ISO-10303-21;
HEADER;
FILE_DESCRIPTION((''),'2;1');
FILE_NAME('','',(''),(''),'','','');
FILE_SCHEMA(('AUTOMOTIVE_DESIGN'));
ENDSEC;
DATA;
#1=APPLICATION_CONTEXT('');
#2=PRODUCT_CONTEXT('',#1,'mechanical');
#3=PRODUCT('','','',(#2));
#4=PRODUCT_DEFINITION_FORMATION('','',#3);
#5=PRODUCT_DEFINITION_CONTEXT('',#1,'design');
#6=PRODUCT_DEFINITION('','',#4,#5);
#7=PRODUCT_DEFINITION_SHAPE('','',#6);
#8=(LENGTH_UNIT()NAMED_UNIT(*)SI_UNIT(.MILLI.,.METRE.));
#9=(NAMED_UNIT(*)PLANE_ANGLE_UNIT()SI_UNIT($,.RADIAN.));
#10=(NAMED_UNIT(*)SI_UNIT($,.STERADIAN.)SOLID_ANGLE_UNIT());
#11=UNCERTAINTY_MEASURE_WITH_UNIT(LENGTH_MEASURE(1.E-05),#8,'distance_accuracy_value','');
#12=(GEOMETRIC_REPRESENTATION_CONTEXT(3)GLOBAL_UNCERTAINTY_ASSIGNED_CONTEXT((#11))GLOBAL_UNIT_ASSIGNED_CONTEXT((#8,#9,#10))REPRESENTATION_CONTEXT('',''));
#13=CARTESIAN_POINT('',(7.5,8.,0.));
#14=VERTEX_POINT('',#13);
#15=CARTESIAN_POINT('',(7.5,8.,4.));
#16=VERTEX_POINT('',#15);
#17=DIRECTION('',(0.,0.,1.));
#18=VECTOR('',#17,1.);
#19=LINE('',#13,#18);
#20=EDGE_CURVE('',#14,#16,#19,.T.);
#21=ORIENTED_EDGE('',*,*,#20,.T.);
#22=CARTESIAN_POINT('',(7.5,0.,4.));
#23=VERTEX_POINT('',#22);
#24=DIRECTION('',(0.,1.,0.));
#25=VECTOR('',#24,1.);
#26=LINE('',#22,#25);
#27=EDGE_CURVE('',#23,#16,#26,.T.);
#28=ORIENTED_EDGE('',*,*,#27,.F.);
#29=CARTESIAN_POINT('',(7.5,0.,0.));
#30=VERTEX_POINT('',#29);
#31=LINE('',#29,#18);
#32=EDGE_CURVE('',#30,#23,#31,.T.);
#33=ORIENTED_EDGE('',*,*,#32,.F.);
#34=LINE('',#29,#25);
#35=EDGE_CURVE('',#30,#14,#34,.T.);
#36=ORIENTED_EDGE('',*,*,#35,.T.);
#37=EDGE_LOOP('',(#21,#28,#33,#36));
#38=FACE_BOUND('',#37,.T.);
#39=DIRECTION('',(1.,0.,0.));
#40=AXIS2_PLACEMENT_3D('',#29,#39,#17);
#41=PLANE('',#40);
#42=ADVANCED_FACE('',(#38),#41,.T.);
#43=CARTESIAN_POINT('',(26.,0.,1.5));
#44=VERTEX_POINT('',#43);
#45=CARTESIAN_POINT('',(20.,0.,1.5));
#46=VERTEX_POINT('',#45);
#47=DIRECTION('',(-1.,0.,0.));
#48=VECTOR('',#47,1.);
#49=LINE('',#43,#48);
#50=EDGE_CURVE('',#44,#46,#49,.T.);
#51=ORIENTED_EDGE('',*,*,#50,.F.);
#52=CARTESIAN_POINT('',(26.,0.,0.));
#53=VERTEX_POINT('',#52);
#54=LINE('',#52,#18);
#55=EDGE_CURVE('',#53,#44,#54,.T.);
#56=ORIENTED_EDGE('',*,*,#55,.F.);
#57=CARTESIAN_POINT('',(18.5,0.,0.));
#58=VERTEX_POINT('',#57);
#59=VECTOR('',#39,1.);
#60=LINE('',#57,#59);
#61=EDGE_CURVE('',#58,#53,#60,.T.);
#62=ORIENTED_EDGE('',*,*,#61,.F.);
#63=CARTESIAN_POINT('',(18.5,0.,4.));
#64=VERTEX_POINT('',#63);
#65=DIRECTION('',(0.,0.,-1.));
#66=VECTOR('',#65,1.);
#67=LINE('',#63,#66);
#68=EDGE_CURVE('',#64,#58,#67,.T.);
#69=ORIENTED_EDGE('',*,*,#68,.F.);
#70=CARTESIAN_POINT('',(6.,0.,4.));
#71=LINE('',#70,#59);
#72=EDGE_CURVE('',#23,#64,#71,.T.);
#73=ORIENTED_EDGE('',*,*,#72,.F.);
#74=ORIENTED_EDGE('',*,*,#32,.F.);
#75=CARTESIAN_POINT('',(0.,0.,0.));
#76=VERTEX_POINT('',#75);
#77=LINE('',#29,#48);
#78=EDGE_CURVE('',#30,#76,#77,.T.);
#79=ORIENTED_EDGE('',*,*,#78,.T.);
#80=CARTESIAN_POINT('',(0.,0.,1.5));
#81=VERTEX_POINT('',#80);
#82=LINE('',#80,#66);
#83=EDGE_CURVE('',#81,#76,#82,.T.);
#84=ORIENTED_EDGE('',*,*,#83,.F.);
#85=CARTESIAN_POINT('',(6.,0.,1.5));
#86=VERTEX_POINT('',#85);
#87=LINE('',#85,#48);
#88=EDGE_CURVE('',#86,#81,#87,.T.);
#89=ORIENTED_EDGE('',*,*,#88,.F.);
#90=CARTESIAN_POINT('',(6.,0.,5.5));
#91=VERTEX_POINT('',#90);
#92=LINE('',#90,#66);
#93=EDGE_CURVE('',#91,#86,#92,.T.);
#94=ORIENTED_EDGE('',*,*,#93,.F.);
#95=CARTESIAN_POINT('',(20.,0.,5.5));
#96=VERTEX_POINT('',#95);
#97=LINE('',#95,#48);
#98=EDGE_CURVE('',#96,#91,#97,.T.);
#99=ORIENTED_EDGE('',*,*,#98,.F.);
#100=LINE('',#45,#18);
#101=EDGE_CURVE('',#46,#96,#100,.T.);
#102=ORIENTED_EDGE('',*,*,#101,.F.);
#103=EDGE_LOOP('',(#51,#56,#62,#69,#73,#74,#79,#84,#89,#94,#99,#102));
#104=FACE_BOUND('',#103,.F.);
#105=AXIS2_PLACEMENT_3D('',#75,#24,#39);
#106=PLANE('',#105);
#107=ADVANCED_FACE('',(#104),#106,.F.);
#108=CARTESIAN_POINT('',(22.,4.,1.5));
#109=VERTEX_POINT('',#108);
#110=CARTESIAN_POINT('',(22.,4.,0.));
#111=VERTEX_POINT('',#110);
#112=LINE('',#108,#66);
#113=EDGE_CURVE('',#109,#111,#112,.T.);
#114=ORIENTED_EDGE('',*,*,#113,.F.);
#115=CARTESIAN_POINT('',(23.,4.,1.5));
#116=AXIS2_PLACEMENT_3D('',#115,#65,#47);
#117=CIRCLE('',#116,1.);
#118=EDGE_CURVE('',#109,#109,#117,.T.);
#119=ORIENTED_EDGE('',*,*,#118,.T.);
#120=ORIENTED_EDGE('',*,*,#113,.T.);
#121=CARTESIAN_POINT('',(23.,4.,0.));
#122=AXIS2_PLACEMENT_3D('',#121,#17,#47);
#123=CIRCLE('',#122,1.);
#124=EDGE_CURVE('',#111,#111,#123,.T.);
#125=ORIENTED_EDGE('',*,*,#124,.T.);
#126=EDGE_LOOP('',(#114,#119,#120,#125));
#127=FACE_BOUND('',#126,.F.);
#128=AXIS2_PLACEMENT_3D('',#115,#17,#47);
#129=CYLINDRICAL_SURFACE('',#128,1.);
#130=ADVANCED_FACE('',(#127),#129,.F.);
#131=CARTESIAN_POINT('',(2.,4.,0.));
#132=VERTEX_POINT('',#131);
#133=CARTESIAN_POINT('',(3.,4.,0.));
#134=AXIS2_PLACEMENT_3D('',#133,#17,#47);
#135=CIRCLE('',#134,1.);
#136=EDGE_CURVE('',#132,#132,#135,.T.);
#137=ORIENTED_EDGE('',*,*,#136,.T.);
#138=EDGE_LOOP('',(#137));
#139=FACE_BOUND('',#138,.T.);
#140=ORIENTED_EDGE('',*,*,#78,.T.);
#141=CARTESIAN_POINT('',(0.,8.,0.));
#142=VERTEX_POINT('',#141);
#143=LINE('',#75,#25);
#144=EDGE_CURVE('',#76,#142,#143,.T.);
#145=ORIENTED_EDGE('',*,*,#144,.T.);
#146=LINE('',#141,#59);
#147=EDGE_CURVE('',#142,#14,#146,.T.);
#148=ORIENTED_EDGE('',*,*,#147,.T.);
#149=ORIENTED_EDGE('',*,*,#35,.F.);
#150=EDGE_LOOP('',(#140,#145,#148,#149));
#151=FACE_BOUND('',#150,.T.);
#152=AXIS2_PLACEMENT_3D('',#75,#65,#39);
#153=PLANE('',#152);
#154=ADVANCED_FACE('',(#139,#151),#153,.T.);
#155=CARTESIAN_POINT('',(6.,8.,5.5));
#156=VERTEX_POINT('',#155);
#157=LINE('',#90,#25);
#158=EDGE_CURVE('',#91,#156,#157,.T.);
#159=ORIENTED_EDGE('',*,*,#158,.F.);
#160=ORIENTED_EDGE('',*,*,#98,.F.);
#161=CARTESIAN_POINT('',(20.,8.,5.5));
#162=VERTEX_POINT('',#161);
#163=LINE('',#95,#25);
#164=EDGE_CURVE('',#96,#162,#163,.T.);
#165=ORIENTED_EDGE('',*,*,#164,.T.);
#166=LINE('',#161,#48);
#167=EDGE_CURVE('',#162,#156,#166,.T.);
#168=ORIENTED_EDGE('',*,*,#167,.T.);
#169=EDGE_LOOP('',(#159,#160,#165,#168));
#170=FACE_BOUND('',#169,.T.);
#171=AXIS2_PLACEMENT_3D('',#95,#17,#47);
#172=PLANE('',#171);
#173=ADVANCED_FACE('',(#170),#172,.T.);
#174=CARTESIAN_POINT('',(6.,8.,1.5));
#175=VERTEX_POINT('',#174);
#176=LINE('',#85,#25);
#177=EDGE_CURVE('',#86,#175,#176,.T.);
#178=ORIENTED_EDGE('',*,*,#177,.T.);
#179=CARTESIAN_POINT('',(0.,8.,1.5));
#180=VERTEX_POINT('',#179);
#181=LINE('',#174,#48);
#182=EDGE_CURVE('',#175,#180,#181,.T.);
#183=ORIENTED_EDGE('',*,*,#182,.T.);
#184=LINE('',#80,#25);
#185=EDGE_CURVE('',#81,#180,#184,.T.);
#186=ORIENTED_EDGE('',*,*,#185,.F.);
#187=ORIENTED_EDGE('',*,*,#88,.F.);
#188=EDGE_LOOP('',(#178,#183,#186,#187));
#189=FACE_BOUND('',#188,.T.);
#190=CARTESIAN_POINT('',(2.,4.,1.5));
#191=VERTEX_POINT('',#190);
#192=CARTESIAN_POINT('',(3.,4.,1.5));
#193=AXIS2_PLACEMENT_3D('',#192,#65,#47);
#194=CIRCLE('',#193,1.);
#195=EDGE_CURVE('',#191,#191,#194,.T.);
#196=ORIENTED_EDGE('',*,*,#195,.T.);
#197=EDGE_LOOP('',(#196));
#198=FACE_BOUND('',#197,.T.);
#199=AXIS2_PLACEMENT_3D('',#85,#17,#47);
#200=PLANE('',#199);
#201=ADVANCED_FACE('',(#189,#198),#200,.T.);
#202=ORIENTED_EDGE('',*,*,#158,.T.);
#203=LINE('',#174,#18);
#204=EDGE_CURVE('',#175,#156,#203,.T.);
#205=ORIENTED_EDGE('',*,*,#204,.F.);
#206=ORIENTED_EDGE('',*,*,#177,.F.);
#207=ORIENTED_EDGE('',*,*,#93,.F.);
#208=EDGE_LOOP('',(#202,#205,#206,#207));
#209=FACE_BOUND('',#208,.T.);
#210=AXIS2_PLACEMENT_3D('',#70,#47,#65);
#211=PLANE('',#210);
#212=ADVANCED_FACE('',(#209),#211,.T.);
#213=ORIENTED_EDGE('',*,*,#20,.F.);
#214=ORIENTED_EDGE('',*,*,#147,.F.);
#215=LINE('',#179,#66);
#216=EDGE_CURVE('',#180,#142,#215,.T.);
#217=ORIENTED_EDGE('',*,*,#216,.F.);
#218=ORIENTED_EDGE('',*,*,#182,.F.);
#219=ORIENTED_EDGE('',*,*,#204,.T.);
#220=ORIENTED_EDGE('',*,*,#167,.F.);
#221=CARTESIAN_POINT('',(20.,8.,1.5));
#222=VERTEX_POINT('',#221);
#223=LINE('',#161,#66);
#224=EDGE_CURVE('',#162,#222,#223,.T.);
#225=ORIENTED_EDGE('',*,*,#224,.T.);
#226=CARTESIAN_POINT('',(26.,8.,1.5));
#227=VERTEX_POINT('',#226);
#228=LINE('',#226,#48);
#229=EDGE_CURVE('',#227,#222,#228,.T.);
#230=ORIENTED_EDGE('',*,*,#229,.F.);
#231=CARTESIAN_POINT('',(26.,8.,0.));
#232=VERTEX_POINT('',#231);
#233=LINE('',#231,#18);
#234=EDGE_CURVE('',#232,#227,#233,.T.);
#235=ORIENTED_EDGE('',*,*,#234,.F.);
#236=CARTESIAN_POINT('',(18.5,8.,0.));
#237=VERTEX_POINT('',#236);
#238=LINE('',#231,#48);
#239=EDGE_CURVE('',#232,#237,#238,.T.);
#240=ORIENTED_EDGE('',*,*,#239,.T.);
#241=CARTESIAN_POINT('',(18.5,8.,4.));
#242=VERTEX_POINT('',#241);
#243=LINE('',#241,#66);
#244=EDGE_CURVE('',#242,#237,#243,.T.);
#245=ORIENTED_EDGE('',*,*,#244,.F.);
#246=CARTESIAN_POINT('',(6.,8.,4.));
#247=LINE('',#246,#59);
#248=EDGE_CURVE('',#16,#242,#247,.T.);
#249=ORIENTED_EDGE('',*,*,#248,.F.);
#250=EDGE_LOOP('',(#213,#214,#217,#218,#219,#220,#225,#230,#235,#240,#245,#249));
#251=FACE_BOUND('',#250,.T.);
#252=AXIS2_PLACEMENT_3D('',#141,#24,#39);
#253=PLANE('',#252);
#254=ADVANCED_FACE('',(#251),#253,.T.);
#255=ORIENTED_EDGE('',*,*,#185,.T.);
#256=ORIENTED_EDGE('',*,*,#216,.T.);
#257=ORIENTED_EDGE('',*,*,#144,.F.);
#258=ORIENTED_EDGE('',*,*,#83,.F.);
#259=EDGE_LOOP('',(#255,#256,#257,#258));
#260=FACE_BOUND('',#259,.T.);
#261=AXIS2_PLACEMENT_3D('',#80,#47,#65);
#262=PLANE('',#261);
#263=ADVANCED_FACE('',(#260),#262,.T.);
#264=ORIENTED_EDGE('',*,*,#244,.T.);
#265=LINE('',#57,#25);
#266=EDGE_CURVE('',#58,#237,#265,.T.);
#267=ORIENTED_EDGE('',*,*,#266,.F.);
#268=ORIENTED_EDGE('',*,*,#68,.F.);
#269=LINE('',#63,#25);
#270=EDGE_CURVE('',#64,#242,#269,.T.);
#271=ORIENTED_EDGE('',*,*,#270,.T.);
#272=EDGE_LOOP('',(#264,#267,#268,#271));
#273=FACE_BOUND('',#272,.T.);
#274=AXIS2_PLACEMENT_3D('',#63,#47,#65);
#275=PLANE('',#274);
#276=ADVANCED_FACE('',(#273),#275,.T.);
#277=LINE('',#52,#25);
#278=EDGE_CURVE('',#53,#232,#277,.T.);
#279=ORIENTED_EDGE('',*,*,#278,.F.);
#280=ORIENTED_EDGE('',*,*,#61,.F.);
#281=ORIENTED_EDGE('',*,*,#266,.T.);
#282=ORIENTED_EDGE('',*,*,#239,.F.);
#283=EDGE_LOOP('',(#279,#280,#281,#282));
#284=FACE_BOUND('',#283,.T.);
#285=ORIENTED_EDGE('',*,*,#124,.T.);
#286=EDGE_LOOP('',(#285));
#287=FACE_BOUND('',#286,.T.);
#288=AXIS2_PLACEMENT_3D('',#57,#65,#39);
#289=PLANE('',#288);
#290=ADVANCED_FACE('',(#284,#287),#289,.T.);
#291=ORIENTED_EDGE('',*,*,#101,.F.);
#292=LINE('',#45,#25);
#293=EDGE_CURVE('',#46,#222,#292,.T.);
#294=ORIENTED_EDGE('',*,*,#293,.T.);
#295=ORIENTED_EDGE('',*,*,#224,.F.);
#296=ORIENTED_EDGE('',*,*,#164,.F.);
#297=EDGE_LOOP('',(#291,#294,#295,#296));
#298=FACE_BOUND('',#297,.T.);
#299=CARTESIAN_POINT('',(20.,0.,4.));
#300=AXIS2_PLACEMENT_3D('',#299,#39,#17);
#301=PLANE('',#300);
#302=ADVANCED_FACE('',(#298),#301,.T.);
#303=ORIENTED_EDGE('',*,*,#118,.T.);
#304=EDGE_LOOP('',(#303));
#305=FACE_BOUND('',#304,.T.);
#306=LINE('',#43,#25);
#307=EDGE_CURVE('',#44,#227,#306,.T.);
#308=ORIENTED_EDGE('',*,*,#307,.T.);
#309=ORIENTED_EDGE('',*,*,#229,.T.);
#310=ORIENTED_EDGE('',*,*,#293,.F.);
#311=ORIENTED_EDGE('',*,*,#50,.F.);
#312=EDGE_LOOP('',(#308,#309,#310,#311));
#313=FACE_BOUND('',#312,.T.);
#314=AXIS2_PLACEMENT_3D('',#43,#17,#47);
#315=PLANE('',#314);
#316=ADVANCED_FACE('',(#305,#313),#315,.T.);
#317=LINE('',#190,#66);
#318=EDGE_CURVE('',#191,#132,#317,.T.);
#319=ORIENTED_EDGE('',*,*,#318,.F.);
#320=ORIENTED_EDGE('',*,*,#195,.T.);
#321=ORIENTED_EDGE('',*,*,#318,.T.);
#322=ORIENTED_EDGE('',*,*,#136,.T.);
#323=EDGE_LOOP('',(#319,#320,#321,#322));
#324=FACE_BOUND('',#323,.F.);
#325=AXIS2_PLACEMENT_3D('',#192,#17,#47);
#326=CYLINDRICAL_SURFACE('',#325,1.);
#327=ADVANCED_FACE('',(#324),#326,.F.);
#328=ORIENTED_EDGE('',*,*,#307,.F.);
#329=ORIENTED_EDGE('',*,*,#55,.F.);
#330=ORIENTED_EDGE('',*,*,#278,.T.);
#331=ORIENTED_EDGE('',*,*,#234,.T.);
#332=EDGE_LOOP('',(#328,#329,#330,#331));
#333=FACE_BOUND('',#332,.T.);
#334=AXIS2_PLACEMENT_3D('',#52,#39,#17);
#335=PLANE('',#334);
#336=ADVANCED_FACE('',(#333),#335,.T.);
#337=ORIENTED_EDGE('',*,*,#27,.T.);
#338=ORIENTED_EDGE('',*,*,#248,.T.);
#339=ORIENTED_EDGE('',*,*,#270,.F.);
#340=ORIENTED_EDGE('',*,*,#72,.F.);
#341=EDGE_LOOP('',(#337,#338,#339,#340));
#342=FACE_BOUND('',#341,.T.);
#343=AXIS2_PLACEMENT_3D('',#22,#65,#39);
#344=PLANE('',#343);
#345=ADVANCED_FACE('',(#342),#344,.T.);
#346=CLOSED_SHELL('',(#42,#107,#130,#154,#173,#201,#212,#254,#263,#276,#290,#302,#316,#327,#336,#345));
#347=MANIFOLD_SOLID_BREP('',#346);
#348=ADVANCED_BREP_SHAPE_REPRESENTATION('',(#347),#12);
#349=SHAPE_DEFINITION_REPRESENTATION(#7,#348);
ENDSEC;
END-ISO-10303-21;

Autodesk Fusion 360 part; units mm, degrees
sketch "Sketch1" plane through (0, 0, 0) normal (0, 1, 0) x (1, 0, 0)
  line L0 (0, 0) -> (6, 0)
  line L1 (6, 0) -> (6, -1.5)
  line L2 (6, -1.5) -> (0, -1.5)
  line L3 (0, -1.5) -> (0, 0)
  line L4 (6, 0) -> (7.5, 0)
  line L5 (7.5, 0) -> (7.5, -4)
  line L6 (7.5, -4) -> (6, -4)
  line L7 (6, -4) -> (6, 0)
  line L8 (6, -4) -> (20, -4)
  line L9 (20, -4) -> (20, -5.5)
  line L10 (20, -5.5) -> (6, -5.5)
  line L11 (6, -5.5) -> (6, -4)
  line L12 (20, -4) -> (18.5, -4)
  line L13 (18.5, -4) -> (18.5, 0)
  line L14 (18.5, 0) -> (20, 0)
  line L15 (20, 0) -> (20, -4)
  line L16 (20, 0) -> (26, 0)
  line L17 (26, 0) -> (26, -1.5)
  line L18 (26, -1.5) -> (20, -1.5)
  line L19 (20, -1.5) -> (20, 0)
  dimension "d1" = 6
  dimension "d2" = 1.5
  dimension "d3" = 1.5
  dimension "d4" = 4
  dimension "d5" = 14
  dimension "d6" = 1.5
  dimension "d7" = 1.5
  dimension "d8" = 4
  dimension "d9" = 6
  dimension "d10" = 1.5
extrude "Extrude1" add sketch "Sketch1" along normal blind 8
sketch "Sketch2" plane through (0, 0, 1.5) normal (0, 0, 1) x (-1, 0, 0)
  line L0 (0, 0) -> (-6, 0)
  line L1 (-6, 0) -> (-6, -8)
  line L2 (-6, -8) -> (0, -8)
  line L3 (0, -8) -> (0, 0)
  line L4 (0, -8) -> (-6, 0)
  line L5 (-20, -8) -> (-26, 0)
  circle A0 centre (-3, -4) radius 1
  circle A1 centre (-23, -4) radius 1
  point P0 (-3, -4)
  point P1 (-23, -4)
  point P2 (-26, 0)
  point P3 (-20, -8)
  dimension "d13" = 2
  dimension "d14" = 2
extrude "Extrude2" cut sketch "Sketch2" against normal blind 2 contours L4 A0 | L4 A0 | L5 A1 | L5 A1
sketch "Sketch3" plane through (0, 0, 0) normal (0, 1, 0) x (1, 0, 0)
